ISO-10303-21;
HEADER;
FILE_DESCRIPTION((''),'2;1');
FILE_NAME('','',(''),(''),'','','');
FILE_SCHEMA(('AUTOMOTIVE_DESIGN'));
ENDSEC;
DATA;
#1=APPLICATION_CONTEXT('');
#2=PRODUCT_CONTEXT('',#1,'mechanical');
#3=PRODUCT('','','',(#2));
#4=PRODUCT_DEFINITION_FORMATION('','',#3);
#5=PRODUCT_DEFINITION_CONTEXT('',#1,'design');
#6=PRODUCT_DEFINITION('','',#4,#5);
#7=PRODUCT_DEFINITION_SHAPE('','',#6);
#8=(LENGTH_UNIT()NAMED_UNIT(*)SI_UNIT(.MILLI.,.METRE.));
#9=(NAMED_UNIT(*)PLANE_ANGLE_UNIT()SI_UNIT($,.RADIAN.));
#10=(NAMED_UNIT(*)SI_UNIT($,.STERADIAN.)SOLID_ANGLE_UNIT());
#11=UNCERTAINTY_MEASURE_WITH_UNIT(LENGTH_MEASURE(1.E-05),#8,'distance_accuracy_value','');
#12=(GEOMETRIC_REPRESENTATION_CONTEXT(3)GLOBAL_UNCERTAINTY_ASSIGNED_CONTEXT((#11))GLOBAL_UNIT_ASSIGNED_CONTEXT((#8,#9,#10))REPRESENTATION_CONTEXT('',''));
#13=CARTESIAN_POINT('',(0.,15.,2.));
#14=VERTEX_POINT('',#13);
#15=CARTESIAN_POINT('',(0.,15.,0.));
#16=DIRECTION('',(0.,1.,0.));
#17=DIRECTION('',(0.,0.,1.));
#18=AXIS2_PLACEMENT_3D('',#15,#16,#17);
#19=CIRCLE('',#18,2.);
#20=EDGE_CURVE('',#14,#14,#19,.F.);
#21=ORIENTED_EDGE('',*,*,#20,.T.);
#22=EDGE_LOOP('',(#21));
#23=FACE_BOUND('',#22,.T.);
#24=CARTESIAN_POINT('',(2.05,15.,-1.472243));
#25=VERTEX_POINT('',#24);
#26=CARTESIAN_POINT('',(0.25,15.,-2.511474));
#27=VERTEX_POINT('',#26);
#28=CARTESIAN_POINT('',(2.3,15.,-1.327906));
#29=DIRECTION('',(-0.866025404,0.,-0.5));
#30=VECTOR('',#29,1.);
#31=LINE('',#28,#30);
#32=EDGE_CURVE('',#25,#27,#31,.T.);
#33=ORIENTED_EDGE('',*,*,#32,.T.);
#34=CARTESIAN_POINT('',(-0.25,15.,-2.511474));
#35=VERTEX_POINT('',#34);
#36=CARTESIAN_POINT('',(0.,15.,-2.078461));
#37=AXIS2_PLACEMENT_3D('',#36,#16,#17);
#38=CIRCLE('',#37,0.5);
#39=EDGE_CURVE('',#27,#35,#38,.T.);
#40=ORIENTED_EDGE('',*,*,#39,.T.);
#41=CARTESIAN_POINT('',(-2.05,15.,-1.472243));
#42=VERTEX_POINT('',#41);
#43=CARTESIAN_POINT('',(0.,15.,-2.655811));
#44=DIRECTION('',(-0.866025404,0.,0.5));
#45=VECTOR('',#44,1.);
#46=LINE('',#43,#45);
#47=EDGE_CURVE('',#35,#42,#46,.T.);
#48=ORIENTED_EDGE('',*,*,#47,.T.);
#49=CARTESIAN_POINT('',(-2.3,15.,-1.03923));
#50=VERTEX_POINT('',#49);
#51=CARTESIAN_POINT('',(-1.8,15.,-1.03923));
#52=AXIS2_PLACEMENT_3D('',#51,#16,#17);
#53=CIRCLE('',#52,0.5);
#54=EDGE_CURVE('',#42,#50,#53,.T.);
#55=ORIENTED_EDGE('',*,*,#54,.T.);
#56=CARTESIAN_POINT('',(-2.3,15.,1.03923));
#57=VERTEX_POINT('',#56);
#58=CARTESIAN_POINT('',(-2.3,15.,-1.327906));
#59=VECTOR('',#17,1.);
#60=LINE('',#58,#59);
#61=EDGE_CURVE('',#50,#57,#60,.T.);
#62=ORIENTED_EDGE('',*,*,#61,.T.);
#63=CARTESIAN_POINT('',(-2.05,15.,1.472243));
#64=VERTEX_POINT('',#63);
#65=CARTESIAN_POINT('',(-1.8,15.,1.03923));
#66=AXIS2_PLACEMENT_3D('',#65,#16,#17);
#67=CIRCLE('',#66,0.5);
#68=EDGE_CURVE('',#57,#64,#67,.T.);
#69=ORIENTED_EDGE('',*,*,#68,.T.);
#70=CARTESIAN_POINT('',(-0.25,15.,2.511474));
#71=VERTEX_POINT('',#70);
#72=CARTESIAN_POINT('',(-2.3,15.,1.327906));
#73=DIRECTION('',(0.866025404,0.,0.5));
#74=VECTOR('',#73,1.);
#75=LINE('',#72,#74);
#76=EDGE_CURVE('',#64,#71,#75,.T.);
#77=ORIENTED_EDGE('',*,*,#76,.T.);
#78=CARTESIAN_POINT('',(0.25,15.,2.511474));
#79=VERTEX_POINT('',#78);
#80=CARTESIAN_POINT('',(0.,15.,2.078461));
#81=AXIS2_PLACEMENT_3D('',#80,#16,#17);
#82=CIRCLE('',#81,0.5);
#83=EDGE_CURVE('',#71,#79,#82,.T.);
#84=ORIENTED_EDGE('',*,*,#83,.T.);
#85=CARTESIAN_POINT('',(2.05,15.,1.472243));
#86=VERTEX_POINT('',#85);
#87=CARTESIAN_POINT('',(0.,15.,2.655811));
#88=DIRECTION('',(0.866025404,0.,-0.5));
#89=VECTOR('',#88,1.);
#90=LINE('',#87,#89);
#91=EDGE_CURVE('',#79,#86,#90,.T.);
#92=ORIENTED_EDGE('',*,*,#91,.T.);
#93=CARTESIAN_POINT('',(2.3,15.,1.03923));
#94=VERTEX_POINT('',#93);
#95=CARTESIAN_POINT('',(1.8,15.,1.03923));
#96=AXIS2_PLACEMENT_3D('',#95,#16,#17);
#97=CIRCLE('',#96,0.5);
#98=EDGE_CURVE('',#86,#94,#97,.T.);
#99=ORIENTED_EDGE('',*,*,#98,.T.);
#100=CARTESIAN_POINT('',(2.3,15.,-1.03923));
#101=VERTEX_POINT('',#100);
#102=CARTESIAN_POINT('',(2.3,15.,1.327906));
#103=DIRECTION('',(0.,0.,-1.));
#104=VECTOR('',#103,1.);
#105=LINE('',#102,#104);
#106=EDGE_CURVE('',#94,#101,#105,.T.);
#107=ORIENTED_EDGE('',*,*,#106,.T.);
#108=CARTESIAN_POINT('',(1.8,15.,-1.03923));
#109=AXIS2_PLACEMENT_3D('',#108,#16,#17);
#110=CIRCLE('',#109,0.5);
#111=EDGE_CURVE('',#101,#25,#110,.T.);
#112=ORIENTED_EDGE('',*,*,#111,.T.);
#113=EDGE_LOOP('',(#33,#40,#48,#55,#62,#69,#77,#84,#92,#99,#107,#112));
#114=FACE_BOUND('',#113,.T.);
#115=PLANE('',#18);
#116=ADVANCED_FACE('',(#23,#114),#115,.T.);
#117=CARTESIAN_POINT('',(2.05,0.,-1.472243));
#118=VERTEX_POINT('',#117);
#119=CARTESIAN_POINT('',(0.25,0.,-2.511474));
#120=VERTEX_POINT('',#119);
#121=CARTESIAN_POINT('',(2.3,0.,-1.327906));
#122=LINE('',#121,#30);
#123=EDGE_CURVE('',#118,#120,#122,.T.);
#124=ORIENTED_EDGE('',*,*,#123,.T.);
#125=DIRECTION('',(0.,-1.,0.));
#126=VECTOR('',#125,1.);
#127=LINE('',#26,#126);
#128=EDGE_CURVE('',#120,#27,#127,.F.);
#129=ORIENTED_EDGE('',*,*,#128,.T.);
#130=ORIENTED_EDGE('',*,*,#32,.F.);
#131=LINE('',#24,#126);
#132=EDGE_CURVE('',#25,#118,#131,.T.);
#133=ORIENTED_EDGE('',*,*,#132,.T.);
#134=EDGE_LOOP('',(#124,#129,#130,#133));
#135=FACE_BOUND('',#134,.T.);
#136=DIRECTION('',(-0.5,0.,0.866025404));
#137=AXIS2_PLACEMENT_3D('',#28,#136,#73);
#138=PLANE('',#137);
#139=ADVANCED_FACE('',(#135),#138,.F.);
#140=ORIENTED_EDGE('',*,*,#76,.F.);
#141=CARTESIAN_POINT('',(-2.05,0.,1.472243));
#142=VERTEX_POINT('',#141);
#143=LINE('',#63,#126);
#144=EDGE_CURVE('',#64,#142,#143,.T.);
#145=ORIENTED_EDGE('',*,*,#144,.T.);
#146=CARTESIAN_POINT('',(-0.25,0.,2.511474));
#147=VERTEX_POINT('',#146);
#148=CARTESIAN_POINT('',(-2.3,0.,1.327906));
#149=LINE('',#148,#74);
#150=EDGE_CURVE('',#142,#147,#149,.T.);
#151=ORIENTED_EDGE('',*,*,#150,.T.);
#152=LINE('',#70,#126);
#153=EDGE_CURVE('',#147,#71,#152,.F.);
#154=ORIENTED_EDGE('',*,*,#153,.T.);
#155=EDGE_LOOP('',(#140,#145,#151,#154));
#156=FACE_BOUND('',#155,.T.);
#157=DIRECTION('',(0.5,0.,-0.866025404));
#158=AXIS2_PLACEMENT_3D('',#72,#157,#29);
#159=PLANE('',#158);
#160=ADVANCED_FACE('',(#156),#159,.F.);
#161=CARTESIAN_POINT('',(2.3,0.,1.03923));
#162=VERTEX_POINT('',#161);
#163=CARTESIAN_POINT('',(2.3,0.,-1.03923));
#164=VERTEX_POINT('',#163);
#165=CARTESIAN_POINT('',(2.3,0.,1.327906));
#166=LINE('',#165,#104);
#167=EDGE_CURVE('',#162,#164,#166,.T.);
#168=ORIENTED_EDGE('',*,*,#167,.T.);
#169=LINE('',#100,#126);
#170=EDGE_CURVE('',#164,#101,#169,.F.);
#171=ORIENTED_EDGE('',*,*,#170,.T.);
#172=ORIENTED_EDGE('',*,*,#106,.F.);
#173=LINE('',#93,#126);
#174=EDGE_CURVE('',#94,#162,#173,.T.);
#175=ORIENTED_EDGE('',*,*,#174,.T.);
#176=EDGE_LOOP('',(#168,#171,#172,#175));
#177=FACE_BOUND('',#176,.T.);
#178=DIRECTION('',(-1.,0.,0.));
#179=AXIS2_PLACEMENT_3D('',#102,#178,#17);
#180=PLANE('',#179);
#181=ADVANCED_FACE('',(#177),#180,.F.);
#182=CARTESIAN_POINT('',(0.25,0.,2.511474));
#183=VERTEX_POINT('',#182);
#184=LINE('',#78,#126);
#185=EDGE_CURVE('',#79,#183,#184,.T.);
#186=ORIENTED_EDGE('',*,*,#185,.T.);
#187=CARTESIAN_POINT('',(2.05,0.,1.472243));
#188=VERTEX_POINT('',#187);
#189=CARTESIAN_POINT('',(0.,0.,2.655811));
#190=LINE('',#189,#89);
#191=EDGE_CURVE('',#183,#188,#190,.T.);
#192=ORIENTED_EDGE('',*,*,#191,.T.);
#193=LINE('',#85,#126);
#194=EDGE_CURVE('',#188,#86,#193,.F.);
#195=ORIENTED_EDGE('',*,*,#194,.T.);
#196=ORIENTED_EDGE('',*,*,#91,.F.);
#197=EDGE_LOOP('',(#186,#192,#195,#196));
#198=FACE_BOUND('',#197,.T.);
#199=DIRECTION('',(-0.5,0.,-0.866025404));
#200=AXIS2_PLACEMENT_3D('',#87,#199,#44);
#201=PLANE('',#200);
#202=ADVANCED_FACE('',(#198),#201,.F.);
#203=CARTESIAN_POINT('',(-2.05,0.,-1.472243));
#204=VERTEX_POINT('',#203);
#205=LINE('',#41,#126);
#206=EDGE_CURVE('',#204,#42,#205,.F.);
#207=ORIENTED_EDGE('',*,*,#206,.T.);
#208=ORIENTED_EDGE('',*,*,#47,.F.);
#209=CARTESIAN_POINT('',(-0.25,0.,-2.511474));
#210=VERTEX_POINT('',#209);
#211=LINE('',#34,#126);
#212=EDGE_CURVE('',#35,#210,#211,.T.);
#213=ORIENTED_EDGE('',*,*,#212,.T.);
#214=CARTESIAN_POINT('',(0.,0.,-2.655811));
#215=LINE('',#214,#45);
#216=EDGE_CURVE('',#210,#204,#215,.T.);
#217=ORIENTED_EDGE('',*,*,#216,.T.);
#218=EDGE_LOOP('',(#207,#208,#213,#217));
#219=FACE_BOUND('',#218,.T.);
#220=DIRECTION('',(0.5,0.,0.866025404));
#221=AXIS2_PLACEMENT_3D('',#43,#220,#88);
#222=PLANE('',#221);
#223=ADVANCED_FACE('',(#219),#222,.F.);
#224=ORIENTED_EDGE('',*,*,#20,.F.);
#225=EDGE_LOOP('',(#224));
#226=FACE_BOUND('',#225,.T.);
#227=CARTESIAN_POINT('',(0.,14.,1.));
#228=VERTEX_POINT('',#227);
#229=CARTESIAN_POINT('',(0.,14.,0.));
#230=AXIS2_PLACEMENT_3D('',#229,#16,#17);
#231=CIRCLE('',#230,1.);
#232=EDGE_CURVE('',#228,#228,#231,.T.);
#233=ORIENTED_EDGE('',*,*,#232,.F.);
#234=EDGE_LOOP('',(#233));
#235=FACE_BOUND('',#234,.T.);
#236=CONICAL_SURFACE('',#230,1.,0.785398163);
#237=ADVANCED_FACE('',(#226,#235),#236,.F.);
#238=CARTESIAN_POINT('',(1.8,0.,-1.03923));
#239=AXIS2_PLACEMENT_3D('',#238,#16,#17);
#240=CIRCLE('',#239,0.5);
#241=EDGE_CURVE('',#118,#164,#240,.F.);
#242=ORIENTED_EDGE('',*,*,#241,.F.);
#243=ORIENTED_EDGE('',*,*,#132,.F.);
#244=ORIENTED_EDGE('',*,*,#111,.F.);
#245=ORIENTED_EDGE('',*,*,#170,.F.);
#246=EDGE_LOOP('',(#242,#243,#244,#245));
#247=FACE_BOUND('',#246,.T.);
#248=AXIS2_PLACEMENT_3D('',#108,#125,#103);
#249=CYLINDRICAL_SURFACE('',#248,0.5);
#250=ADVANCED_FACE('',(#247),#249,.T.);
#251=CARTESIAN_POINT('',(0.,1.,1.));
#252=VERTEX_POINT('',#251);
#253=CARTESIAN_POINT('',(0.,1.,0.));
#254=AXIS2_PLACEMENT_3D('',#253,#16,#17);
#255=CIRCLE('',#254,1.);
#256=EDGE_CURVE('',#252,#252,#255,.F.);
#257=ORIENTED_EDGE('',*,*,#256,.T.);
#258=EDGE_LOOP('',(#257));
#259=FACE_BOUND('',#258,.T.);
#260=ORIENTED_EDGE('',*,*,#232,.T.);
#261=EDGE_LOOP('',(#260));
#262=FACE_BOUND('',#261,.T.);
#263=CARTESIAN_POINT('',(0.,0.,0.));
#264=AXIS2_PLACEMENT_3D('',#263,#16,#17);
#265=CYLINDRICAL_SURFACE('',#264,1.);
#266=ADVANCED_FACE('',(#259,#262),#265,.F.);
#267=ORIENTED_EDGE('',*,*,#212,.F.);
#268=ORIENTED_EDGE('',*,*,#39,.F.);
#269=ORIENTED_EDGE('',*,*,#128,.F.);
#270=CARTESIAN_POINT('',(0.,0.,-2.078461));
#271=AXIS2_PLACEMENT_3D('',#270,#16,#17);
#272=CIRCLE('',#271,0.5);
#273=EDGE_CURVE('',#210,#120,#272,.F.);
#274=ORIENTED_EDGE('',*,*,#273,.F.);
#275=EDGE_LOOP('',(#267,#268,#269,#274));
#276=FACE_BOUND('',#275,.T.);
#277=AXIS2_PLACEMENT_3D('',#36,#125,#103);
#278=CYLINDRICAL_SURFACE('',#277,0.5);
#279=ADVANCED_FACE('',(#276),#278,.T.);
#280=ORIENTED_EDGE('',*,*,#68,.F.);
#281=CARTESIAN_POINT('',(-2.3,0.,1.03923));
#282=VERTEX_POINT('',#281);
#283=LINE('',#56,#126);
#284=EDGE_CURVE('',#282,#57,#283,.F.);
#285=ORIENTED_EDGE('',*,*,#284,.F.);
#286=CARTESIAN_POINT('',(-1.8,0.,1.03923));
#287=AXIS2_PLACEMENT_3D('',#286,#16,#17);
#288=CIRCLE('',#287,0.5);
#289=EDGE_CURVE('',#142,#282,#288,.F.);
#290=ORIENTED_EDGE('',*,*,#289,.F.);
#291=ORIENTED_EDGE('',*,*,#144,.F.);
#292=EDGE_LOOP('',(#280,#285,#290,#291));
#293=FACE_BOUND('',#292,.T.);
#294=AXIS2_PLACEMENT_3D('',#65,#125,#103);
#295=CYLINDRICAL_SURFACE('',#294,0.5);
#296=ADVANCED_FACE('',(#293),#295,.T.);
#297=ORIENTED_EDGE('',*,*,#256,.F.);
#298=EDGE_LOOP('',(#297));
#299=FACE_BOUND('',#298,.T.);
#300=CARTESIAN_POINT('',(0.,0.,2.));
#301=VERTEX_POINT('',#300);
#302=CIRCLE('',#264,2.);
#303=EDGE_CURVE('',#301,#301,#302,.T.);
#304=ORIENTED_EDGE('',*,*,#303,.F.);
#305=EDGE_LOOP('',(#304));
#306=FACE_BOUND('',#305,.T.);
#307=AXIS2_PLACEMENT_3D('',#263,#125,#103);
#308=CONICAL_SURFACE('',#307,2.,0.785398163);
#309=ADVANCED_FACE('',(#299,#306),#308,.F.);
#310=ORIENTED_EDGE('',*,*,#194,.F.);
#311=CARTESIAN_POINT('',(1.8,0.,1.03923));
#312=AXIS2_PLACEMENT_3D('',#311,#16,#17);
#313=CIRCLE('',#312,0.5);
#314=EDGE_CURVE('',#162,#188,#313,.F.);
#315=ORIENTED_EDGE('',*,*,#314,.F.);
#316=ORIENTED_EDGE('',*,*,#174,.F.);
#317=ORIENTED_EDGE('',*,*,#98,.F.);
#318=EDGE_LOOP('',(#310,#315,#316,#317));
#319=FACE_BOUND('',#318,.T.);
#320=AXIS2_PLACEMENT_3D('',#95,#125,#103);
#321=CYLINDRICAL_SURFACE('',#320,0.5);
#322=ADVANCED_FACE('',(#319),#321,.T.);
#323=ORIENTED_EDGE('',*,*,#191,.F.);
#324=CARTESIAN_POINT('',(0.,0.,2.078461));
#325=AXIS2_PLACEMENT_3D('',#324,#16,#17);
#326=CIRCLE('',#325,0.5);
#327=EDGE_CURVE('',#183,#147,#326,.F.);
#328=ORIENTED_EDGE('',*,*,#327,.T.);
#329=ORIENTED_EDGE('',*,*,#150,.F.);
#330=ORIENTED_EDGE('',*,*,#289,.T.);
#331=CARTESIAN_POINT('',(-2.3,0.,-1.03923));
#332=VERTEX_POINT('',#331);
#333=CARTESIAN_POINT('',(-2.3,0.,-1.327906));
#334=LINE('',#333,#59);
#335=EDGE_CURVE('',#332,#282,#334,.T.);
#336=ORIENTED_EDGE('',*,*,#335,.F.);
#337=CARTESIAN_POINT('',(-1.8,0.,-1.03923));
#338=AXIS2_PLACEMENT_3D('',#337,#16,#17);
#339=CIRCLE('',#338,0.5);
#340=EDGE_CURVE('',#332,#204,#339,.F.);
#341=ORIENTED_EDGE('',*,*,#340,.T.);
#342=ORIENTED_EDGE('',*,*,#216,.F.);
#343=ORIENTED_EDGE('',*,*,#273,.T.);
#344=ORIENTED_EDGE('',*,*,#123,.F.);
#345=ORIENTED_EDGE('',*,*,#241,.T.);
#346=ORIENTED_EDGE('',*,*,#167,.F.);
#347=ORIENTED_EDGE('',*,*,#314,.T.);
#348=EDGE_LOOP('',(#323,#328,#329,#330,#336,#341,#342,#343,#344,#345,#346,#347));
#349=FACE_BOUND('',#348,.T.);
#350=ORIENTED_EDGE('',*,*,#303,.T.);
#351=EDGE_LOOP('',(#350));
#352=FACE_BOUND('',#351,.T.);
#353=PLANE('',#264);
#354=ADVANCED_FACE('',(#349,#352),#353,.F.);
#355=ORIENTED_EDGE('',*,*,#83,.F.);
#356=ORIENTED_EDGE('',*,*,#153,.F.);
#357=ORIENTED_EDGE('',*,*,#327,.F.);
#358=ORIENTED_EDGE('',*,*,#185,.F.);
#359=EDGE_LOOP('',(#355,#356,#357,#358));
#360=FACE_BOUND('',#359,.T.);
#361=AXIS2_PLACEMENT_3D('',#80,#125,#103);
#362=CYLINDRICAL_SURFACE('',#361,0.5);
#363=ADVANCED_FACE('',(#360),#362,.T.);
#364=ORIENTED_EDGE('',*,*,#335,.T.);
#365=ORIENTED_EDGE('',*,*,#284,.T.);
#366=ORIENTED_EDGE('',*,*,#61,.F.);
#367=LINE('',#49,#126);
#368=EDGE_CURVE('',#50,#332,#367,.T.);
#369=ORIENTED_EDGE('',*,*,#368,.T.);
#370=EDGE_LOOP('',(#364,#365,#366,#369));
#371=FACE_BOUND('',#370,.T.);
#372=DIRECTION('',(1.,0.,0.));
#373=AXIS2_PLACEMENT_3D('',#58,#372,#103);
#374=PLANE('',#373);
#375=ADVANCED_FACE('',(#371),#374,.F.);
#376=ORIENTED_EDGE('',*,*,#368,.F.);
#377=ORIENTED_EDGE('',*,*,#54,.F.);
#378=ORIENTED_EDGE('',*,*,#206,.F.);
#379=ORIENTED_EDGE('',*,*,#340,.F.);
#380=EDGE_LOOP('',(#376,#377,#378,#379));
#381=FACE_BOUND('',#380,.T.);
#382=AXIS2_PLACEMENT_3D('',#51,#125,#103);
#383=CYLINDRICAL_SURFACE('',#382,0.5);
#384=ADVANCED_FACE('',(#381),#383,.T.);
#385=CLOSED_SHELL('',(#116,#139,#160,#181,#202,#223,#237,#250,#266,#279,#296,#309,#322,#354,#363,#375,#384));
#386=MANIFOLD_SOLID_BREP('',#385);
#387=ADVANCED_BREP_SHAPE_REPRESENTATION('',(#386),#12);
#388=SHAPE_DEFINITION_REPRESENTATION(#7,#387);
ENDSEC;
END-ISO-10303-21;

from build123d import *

# Parameters (mm, degrees)
BOSS_EXTRUDE1_DEPTH = 15
SKETCH2_R           = 1
CUT_EXTRUDE1_DEPTH  = 16.405951231
CHAMFER2_SIZE       = 1
FILLET1_R           = 0.5


with BuildPart() as part:
    # Sketch1 → Boss-Extrude1 (new body)
    with BuildSketch(Plane(origin=(0, 0, 0), x_dir=(1, 0, 0), z_dir=(0, 1, 0))):
        Polygon((0, 2.655811238), (-2.3, 1.327905619), (-2.3, -1.327905619), (0, -2.655811238), (2.3, -1.327905619), (2.3, 1.327905619), align=None)
    extrude(amount=BOSS_EXTRUDE1_DEPTH)

    # Sketch2 → Cut-Extrude1 (cut, through all)
    with BuildSketch(Plane(origin=(0, 15, 0), x_dir=(1, 0, 0), z_dir=(0, 1, 0))):
        with Locations(Location((0, 0, 0), (0, 0, 270))):
            Circle(SKETCH2_R)
    extrude(amount=-CUT_EXTRUDE1_DEPTH, mode=Mode.SUBTRACT)

    # Chamfer2
    chamfer2_edges = [part.edges().sort_by_distance(p)[0] for p in [
        (0, 0, -1),
        (0, 15, -1),
    ]]
    chamfer(chamfer2_edges, length=CHAMFER2_SIZE)

    # Fillet1
    fillet1_edges = [part.edges().sort_by_distance(p)[0] for p in [
        (2.3, 7.5, -1.327905619),
        (2.3, 7.5, 1.327905619),
        (0, 7.5, 2.655811238),
        (-2.3, 7.5, 1.327905619),
        (-2.3, 7.5, -1.327905619),
        (0, 7.5, -2.655811238),
    ]]
    fillet(fillet1_edges, radius=FILLET1_R)


solid = part.part
